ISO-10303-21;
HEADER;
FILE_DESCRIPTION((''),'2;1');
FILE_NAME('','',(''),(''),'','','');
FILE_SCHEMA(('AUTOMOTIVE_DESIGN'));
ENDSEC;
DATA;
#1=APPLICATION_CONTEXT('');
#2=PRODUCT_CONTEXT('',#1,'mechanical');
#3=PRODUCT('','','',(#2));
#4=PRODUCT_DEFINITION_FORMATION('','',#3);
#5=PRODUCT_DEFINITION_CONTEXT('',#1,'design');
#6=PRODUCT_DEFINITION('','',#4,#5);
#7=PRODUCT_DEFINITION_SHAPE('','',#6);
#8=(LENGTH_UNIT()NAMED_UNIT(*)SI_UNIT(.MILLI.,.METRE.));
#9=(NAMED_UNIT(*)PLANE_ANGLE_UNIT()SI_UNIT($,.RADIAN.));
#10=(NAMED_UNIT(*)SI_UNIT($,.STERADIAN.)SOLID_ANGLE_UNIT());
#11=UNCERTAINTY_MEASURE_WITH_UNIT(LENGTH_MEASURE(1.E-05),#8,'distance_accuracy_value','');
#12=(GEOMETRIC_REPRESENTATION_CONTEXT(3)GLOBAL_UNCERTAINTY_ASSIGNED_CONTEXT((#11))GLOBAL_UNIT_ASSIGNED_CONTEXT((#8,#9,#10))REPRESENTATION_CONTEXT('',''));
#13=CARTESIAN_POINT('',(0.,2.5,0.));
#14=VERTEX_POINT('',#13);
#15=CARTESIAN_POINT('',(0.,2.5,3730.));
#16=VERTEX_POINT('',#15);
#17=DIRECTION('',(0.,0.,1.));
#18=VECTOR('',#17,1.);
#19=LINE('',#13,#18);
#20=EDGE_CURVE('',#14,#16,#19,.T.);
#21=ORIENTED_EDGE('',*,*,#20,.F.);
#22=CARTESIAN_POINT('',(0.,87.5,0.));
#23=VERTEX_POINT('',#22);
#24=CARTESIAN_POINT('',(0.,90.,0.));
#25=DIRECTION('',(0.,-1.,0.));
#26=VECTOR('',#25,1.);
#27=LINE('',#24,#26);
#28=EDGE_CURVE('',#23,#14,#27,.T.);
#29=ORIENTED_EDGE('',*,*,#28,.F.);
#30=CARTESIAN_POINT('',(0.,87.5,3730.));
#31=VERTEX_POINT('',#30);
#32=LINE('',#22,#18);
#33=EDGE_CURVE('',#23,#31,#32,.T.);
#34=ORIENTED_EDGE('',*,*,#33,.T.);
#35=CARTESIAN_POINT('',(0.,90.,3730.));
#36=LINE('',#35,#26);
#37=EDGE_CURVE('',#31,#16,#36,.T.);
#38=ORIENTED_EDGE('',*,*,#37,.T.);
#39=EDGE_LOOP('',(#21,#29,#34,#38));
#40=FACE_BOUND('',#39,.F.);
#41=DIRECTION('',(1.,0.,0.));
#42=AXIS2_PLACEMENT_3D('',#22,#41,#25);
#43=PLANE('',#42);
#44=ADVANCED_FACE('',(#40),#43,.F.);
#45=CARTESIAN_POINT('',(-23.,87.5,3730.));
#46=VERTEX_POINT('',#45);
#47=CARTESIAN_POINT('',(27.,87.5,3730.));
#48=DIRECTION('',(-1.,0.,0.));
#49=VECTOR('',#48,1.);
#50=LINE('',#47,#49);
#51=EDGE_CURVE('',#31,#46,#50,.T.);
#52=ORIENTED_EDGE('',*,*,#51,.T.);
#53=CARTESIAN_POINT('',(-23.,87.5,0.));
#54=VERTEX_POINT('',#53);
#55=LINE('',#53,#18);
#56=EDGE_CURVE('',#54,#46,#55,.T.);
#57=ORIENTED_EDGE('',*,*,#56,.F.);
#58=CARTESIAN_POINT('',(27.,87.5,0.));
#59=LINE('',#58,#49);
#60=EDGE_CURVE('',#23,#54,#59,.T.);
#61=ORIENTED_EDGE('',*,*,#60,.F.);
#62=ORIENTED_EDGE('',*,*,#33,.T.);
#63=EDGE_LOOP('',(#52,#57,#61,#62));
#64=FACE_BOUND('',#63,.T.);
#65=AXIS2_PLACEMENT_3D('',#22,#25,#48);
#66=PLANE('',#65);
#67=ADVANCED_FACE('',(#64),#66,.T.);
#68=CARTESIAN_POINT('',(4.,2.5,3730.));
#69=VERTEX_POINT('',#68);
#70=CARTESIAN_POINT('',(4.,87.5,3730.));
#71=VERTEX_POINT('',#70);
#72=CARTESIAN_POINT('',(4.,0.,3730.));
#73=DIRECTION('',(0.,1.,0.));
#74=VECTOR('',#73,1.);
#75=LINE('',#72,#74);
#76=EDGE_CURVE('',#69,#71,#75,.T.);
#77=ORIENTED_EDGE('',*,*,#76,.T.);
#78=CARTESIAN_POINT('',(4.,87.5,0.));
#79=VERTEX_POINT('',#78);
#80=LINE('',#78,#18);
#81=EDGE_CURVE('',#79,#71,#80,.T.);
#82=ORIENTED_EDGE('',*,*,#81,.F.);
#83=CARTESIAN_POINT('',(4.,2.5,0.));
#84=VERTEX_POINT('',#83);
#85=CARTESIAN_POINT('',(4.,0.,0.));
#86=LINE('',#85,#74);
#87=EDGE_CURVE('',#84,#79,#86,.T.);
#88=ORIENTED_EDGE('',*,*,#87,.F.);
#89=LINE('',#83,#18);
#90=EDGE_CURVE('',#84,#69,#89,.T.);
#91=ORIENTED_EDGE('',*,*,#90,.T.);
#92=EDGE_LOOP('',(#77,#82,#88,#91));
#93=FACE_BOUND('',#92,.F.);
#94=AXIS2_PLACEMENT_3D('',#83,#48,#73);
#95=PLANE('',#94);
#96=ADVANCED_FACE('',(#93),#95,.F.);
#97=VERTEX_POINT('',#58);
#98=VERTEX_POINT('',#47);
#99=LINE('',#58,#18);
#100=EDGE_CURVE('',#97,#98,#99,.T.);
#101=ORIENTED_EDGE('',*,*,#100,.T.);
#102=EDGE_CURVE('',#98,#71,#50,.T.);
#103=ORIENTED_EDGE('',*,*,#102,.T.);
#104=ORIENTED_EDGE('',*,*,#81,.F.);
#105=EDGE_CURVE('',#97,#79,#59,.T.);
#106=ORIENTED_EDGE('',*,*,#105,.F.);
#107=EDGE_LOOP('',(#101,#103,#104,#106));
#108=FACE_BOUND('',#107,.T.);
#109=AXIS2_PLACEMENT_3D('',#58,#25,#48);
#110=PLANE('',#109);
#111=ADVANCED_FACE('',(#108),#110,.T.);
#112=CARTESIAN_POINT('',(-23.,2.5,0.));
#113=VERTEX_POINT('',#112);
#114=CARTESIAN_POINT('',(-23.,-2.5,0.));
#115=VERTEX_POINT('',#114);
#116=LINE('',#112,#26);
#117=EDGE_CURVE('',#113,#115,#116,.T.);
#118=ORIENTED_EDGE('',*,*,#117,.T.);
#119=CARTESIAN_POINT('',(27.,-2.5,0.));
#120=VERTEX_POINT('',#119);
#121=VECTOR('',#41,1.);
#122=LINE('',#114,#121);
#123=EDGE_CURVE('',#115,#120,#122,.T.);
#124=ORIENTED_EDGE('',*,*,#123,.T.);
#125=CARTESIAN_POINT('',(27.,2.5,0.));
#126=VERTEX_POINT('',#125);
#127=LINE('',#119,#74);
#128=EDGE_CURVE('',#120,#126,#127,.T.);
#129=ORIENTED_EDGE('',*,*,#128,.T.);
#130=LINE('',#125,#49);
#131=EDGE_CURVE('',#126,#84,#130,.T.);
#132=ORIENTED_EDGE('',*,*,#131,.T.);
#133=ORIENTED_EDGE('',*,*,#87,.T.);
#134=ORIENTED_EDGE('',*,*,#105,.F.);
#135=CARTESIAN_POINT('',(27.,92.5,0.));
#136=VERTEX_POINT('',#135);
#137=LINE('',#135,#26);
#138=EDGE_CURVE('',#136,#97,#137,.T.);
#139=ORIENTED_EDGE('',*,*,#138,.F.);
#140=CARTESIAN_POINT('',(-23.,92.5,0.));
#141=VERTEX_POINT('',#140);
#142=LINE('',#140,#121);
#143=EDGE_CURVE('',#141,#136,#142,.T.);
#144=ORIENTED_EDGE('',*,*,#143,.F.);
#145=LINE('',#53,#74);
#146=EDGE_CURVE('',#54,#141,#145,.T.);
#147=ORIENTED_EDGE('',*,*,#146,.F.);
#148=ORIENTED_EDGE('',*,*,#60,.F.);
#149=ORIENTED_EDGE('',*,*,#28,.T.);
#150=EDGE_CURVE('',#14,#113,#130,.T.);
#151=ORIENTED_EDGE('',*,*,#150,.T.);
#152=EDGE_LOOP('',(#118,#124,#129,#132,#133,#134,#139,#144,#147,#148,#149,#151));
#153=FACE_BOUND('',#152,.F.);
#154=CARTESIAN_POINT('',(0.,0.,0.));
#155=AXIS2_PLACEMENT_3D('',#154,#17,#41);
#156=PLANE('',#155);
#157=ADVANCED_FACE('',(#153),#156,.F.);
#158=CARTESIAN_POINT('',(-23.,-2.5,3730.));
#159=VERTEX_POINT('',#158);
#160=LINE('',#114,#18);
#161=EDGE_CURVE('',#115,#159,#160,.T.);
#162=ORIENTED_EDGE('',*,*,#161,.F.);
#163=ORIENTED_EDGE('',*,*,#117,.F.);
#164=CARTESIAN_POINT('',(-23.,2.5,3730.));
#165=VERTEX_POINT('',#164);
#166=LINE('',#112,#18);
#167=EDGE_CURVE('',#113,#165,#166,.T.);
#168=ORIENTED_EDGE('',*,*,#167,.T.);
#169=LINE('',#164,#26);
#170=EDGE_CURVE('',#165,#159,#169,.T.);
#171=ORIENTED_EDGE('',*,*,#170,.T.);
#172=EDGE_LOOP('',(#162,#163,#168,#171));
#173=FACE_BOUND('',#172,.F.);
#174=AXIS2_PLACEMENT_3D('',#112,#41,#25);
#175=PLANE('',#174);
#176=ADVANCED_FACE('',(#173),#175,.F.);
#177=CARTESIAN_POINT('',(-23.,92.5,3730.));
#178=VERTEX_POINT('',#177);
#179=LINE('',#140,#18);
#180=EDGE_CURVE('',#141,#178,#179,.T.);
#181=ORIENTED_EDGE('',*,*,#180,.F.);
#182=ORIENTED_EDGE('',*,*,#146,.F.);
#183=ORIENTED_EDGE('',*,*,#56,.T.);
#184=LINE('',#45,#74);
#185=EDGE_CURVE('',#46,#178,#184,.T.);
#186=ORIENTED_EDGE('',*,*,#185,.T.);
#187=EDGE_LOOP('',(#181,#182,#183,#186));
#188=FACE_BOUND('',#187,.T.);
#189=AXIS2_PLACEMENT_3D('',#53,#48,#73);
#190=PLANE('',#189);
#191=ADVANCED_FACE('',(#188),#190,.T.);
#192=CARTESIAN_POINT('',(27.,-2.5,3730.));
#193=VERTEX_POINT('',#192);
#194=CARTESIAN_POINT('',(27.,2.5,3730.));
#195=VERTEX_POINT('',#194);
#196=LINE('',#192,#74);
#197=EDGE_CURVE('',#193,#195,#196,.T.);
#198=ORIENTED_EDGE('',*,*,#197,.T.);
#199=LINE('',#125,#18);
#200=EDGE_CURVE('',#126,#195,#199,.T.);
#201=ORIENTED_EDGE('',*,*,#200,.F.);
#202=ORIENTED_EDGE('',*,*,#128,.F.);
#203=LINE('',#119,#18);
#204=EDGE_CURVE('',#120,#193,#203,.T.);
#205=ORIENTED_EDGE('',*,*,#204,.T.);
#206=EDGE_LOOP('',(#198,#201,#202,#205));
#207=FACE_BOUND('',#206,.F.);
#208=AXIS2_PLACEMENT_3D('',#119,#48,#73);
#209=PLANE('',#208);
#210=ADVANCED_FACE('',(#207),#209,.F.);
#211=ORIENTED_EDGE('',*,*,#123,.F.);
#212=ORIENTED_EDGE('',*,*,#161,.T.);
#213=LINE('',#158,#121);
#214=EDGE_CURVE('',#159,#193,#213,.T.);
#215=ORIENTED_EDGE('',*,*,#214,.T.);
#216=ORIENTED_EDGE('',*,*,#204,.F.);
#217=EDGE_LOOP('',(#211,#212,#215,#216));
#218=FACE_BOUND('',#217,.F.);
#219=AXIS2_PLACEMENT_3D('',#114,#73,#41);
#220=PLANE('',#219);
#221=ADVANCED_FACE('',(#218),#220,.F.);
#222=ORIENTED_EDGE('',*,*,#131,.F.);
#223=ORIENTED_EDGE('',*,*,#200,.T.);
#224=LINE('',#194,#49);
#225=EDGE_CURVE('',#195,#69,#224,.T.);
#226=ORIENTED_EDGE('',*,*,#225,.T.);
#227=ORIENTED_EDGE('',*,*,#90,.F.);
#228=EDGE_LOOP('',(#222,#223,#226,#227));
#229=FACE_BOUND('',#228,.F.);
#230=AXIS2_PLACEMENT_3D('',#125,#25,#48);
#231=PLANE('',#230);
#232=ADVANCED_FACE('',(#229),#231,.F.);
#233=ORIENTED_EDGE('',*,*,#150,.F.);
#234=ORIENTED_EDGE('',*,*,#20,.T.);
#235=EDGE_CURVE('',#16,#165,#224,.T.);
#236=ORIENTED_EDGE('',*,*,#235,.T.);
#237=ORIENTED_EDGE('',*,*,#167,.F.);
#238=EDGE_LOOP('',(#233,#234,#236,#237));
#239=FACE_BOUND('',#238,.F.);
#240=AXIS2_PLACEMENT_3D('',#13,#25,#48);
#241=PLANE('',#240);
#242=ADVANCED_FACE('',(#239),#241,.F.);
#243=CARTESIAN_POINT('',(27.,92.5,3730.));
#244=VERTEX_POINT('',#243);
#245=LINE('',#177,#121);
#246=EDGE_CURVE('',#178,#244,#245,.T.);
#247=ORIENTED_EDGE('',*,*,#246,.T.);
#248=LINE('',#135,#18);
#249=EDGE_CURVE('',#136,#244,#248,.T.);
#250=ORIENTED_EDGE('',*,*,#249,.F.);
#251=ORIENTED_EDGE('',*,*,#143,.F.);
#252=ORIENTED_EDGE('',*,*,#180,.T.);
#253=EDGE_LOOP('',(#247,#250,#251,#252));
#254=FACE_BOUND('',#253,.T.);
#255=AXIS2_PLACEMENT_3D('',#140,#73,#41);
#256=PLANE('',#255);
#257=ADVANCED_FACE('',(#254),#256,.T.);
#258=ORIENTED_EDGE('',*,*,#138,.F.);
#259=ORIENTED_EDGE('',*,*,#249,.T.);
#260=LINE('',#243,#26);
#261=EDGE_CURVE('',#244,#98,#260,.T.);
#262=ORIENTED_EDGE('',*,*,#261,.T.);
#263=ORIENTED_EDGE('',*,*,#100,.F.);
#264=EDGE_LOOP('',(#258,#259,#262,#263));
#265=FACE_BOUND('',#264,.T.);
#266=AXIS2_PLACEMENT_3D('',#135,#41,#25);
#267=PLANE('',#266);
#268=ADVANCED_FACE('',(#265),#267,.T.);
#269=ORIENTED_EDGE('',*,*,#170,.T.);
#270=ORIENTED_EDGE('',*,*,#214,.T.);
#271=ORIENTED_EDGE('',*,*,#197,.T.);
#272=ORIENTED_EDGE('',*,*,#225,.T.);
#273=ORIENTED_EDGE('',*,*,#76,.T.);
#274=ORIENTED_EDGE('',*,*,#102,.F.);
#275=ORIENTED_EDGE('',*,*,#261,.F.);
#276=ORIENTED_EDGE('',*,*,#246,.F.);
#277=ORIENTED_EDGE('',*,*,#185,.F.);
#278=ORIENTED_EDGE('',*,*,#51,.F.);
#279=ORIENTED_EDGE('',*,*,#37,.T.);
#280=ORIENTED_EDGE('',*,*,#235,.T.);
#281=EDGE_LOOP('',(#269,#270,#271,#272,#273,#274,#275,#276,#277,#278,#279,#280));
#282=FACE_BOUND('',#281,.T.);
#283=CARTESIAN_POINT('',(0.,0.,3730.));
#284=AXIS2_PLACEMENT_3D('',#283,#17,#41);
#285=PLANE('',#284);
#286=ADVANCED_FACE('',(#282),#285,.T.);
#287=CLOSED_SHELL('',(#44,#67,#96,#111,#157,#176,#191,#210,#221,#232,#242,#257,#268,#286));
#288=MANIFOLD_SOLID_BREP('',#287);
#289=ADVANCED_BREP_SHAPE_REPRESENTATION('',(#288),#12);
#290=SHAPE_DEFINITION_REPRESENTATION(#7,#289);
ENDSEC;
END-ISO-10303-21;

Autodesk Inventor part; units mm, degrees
ref_plane "YZ Plane" through (0, 0, 0) normal (1, 0, 0) x (0, 1, 0)
ref_plane "XZ Plane" through (0, 0, 0) normal (0, 1, 0) x (-1, 0, 0)
ref_plane "XY Plane" through (0, 0, 0) normal (0, 0, 1) x (1, 0, 0)
sketch "Sketch1" plane through (0, 0, 0) normal (0, 0, 1) x (1, 0, 0)
  line L0 (0, 0) -> (4, 0)
  line L1 (4, 0) -> (4, 90)
  line L2 (4, 90) -> (0, 90)
  line L3 (0, 90) -> (0, 0)
  line L4 (-23, 92.5) -> (27, 92.5)
  line L5 (27, 92.5) -> (27, 87.5)
  line L6 (27, 87.5) -> (-23, 87.5)
  line L7 (-23, 87.5) -> (-23, 92.5)
  line L8 (-23, 92.5) -> (27, 87.5) construction
  line L9 (27, 92.5) -> (-23, 87.5) construction
  line L10 (-23, -2.5) -> (27, -2.5)
  line L11 (27, -2.5) -> (27, 2.5)
  line L12 (27, 2.5) -> (-23, 2.5)
  line L13 (-23, 2.5) -> (-23, -2.5)
  line L14 (-23, -2.5) -> (27, 2.5) construction
  line L15 (27, -2.5) -> (-23, 2.5) construction
  point P0 (2, 90)
  point P1 (2, 0)
  point P2 (4, 87.5)
  point P3 (0, 87.5)
  point P4 (0, 2.5)
  point P5 (4, 2.5)
  dimension "d0" = 4
  dimension "d1" = 90
  dimension "d2" = 50
  dimension "d3" = 5
  dimension "d4" = 50
  dimension "d5" = 5
extrude "Extrusion1" add sketch "Sketch1" along normal blind 3730
properties part number "Floor Frame, I Section" material "Aluminum 6061"
